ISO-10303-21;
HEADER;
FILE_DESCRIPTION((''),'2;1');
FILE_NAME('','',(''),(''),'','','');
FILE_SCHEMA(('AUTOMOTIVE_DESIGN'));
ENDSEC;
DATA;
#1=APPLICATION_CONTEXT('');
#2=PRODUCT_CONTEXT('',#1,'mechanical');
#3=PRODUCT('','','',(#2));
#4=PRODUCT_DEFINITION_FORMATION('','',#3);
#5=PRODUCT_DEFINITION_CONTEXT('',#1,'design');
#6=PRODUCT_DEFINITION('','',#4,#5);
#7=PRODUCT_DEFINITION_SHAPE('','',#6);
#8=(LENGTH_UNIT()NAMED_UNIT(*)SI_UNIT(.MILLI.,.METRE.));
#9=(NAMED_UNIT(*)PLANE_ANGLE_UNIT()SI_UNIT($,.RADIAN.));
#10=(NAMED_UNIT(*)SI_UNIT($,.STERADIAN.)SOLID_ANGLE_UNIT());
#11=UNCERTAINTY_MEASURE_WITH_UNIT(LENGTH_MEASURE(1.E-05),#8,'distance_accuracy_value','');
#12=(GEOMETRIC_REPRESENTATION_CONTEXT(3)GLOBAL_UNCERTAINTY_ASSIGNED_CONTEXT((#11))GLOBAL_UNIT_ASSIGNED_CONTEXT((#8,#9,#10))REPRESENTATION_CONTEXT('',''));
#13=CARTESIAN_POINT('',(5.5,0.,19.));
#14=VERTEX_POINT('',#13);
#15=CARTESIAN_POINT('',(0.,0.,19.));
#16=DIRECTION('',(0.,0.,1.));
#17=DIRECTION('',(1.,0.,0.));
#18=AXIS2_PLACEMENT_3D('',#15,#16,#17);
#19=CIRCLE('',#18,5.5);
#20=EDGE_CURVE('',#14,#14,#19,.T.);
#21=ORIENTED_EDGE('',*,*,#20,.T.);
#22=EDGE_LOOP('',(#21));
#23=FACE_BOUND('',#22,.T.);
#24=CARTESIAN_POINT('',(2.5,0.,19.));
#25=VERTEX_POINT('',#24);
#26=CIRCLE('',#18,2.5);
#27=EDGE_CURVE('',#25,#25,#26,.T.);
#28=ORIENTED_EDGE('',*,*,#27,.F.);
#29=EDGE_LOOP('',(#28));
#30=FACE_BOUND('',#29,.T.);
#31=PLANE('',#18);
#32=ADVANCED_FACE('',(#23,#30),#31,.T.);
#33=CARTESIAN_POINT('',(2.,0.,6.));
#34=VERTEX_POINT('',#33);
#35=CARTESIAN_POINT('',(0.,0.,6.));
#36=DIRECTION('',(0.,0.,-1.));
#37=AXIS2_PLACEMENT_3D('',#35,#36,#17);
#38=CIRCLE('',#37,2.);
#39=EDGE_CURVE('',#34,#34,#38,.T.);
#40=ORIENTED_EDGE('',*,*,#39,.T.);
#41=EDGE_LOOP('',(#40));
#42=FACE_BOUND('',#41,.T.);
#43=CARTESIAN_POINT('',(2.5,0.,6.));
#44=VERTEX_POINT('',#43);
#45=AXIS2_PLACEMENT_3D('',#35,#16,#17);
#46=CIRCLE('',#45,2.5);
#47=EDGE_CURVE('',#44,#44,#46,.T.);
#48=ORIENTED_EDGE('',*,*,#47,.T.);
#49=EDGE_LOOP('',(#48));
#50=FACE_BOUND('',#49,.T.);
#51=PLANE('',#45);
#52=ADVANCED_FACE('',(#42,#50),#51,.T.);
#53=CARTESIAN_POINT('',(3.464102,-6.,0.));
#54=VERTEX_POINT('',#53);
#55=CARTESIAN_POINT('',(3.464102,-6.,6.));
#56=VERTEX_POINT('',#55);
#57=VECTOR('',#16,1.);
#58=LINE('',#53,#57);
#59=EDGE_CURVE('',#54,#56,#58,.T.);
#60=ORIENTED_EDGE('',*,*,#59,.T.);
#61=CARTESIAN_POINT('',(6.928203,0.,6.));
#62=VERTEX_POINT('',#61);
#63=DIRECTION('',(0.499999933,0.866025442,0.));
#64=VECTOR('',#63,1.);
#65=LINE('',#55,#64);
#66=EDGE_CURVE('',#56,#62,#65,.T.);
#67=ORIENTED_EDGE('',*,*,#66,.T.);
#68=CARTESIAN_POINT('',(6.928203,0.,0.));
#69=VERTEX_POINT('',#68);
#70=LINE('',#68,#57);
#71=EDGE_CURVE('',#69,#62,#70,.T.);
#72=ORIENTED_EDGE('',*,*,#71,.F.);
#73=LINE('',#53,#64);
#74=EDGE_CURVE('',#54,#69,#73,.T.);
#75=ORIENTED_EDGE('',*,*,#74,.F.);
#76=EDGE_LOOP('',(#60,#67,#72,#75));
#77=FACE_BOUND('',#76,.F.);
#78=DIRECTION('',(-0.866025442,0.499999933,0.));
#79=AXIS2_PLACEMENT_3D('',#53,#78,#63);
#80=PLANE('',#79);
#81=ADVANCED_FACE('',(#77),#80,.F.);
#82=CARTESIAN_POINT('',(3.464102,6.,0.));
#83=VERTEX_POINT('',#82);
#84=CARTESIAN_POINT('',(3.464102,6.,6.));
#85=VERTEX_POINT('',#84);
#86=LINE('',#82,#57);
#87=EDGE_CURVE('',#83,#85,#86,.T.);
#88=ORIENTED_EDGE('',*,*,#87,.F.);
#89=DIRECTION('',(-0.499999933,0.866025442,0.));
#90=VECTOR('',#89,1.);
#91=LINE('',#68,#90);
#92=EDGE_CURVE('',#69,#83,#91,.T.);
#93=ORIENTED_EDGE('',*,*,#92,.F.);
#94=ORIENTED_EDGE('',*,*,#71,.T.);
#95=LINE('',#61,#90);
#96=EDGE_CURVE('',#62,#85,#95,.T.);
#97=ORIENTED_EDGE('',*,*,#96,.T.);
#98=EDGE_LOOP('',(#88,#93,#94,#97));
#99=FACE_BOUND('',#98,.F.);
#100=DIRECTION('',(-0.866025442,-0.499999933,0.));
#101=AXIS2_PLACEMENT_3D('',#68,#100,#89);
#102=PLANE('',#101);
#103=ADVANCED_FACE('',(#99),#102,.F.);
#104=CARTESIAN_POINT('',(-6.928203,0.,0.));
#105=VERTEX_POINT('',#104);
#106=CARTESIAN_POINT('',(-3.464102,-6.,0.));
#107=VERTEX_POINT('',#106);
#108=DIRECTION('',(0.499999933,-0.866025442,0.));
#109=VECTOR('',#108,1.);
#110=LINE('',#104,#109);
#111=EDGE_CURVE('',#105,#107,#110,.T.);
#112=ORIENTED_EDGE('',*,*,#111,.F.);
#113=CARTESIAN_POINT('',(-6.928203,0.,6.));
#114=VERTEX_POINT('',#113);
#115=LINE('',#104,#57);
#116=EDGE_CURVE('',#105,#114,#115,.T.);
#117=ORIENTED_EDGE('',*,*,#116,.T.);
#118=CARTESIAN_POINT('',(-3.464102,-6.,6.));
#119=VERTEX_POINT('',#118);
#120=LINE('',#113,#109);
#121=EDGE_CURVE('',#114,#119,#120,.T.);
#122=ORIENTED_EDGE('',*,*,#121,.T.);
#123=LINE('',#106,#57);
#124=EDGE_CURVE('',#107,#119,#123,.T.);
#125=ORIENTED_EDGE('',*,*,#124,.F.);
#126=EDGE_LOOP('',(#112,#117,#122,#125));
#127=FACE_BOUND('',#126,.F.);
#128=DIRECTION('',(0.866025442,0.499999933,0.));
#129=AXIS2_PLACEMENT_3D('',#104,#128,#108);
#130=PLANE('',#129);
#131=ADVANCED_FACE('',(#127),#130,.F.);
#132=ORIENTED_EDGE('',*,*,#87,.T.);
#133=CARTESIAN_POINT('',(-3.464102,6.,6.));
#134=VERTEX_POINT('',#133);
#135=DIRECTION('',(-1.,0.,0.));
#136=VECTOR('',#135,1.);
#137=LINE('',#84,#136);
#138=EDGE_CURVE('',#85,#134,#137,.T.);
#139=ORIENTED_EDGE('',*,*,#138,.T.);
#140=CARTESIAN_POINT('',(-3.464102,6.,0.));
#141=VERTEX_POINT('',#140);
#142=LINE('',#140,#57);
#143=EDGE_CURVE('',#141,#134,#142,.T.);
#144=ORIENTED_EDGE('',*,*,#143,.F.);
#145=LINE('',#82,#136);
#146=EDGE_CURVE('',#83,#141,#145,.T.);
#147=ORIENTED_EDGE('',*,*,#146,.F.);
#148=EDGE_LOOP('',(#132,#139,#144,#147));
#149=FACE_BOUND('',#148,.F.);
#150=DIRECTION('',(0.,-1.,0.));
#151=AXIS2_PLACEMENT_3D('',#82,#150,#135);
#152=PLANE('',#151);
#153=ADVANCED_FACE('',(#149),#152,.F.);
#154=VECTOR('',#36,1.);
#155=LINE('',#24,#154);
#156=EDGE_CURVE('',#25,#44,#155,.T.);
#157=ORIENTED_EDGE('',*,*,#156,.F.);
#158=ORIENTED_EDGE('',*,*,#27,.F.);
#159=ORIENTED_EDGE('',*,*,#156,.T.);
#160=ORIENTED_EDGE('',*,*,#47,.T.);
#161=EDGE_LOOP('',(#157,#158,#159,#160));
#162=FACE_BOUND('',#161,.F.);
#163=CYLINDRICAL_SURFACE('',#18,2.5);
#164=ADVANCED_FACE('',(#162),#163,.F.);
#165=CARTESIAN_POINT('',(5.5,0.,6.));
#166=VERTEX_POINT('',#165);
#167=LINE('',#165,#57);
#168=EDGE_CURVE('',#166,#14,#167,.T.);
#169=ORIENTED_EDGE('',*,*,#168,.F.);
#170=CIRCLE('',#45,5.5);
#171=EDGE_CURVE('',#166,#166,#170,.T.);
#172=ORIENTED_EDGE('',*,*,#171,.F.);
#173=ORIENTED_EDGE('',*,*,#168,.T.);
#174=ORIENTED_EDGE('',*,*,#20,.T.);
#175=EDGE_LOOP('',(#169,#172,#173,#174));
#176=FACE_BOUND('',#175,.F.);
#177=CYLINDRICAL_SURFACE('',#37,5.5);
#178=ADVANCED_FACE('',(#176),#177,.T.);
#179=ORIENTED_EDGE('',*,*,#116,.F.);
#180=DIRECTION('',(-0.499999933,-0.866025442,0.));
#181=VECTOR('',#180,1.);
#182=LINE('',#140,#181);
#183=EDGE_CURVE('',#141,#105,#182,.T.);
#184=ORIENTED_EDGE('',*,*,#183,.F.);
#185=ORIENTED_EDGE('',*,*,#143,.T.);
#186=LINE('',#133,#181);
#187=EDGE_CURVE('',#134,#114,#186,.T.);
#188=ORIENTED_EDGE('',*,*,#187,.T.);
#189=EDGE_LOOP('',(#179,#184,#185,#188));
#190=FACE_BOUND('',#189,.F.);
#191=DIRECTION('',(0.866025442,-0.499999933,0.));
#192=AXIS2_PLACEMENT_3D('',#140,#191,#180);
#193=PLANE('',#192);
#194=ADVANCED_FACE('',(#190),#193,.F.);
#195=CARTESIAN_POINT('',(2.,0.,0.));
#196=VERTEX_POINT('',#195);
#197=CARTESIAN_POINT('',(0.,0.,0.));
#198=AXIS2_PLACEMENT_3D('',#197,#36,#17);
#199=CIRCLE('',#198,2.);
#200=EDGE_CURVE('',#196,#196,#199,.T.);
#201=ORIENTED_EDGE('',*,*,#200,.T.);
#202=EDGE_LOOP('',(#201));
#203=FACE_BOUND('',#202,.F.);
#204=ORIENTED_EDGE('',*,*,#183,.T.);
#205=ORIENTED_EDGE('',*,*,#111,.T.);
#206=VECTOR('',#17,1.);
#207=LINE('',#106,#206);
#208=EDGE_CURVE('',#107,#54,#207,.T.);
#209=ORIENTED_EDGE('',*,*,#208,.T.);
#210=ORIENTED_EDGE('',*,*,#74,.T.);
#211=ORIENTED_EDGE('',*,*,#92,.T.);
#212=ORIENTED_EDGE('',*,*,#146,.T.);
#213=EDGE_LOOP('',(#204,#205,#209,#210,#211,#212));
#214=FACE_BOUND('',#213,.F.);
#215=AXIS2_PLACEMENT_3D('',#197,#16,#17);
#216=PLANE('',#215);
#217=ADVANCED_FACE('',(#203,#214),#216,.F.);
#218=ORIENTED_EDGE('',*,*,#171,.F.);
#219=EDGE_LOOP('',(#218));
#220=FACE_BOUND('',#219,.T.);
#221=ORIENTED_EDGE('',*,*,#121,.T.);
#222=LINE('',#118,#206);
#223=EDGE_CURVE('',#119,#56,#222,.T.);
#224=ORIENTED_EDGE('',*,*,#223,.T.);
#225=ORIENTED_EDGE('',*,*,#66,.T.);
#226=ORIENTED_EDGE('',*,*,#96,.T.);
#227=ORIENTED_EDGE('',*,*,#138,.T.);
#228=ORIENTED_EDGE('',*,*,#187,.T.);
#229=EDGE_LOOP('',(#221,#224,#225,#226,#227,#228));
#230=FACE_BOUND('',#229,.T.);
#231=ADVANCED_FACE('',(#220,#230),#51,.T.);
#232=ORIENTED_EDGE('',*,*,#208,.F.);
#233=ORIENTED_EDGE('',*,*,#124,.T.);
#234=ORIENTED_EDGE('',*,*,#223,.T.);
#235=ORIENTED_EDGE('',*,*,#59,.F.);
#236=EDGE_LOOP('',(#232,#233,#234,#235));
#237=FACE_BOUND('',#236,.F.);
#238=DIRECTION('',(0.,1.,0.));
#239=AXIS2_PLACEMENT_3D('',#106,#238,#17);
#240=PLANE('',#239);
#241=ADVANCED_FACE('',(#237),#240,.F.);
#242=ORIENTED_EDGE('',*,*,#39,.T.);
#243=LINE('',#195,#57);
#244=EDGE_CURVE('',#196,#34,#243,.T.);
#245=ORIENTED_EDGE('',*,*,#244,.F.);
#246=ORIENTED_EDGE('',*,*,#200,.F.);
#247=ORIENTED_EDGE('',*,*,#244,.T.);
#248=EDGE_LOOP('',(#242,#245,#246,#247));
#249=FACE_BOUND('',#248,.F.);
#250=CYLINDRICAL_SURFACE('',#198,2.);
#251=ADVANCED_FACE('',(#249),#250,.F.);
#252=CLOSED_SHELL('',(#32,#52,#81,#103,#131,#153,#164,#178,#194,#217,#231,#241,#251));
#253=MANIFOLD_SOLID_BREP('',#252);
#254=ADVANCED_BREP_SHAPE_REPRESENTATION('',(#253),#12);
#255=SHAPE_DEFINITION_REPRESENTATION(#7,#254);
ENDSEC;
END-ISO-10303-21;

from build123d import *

# Parameters (mm, degrees)
PAD_DEPTH       = 6
SKETCH001_R     = 5.5
PAD001_DEPTH    = 13
SKETCH002_R     = 2
POCKET_DEPTH    = 6
SKETCH003_R     = 2.5
POCKET001_DEPTH = 13


with BuildPart() as part:
    # Sketch → Pad (new body)
    with BuildSketch(Plane.XY):
        Polygon((6.928203, 0), (3.464102, 6), (-3.464102, 6), (-6.928203, 0), (-3.464102, -6), (3.464102, -6), align=None)
    extrude(amount=PAD_DEPTH)

    # Sketch001 (on Face8 of Pad) → Pad001 (join)
    with BuildSketch(Plane.XY.offset(6)):
        Circle(SKETCH001_R)
    extrude(amount=PAD001_DEPTH)

    # Sketch002 (on Face4 of Pad001) → Pocket (cut)
    with BuildSketch(Plane(origin=(0, 0, 0), x_dir=(1, 0, 0), z_dir=(0, 0, -1))):
        Circle(SKETCH002_R)
    extrude(amount=-POCKET_DEPTH, mode=Mode.SUBTRACT)

    # Sketch003 (on Face12 of Pocket) → Pocket001 (cut)
    with BuildSketch(Plane.XY.offset(19)):
        Circle(SKETCH003_R)
    extrude(amount=-POCKET001_DEPTH, mode=Mode.SUBTRACT)


solid = part.part
